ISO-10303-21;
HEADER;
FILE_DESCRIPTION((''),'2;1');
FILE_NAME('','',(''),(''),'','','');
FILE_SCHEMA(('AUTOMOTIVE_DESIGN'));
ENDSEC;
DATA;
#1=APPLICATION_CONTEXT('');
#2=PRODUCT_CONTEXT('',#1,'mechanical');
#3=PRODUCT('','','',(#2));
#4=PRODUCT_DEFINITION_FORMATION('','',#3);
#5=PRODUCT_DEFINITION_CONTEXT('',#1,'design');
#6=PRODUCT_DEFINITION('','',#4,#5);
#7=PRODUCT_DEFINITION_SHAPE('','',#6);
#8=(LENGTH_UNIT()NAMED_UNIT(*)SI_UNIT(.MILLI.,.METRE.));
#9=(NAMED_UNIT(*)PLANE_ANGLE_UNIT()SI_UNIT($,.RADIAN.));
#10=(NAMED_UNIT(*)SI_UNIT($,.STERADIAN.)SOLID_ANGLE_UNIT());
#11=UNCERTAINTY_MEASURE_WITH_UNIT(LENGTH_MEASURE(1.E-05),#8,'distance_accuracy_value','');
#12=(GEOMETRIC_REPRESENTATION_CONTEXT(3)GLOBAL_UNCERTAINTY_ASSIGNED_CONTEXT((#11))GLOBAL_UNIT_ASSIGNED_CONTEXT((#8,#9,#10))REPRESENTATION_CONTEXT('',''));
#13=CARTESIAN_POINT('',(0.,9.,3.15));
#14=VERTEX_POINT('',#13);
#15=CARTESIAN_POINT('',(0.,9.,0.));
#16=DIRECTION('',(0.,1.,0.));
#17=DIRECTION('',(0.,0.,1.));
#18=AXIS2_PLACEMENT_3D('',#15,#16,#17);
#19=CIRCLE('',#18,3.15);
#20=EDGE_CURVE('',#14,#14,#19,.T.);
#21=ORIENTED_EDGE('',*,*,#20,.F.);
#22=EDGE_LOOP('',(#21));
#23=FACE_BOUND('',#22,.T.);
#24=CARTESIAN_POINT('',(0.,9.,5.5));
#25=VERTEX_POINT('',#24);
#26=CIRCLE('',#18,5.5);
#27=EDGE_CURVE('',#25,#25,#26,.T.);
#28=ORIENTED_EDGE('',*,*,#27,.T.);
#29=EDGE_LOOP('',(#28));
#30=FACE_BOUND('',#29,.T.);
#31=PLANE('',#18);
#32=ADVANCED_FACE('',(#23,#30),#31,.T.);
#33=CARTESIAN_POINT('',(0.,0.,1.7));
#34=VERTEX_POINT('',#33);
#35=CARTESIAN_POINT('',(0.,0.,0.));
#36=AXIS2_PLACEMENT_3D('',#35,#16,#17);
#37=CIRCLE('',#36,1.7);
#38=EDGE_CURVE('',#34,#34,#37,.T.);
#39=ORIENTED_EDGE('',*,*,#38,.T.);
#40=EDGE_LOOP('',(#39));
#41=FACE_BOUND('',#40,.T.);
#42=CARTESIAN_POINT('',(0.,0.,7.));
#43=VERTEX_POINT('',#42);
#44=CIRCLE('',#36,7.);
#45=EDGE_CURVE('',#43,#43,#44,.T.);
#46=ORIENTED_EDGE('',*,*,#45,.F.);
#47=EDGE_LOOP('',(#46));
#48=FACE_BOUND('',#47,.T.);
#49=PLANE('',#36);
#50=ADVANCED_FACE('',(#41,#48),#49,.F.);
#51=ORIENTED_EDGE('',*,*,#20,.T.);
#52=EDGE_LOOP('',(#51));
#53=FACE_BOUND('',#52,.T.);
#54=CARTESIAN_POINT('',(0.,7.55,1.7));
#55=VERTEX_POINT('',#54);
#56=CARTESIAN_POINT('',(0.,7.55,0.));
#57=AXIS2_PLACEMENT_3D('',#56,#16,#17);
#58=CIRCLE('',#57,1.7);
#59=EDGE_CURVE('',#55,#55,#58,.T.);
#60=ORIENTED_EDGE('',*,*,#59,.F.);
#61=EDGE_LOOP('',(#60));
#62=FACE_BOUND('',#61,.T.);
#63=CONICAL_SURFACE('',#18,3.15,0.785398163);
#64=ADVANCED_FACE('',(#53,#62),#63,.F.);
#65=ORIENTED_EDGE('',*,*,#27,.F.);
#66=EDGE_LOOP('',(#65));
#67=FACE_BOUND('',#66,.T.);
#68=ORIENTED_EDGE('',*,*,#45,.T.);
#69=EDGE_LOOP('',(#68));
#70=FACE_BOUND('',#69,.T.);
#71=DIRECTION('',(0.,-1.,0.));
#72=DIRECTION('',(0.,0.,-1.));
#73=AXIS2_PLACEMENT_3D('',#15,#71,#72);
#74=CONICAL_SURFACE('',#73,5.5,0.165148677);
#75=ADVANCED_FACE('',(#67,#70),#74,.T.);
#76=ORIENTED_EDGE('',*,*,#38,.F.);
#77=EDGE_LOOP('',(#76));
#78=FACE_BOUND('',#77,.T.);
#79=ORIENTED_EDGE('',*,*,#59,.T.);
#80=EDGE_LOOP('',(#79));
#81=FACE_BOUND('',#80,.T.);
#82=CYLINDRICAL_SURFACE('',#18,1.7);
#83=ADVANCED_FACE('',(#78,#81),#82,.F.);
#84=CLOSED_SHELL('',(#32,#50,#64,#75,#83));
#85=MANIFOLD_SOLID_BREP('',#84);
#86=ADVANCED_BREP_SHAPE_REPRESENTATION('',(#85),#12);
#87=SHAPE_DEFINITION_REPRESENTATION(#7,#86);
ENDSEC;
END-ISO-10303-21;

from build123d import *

# Parameters (mm, degrees)
SKETCH2_R                                       = 5.5
SKETCH1_R                                       = 7
CSK_FOR_M3_FLAT_HEAD_MACHINE_SCREW1_D           = 3.4
CSK_FOR_M3_FLAT_HEAD_MACHINE_SCREW1_CSINK_D     = 6.3
CSK_FOR_M3_FLAT_HEAD_MACHINE_SCREW1_CSINK_ANGLE = 90


with BuildPart() as part:
    # Sketch2 → Loft1 section 0
    with BuildSketch(Plane(origin=(0, 9, 0), x_dir=(1, 0, 0), z_dir=(0, 1, 0))):
        Circle(SKETCH2_R)
    # Sketch1 → Loft1 section 1
    with BuildSketch(Plane(origin=(0, 0, 0), x_dir=(1, 0, 0), z_dir=(0, 1, 0))):
        Circle(SKETCH1_R)
    loft()

    # CSK for M3 Flat Head Machine Screw1 (through all)
    with Locations(Plane(origin=(0, 9, 0), x_dir=(1, 0, 0), z_dir=(0, 1, 0))):
        with Locations((0, 0)):
            CounterSinkHole(CSK_FOR_M3_FLAT_HEAD_MACHINE_SCREW1_D / 2, CSK_FOR_M3_FLAT_HEAD_MACHINE_SCREW1_CSINK_D / 2, counter_sink_angle=CSK_FOR_M3_FLAT_HEAD_MACHINE_SCREW1_CSINK_ANGLE)


solid = part.part
